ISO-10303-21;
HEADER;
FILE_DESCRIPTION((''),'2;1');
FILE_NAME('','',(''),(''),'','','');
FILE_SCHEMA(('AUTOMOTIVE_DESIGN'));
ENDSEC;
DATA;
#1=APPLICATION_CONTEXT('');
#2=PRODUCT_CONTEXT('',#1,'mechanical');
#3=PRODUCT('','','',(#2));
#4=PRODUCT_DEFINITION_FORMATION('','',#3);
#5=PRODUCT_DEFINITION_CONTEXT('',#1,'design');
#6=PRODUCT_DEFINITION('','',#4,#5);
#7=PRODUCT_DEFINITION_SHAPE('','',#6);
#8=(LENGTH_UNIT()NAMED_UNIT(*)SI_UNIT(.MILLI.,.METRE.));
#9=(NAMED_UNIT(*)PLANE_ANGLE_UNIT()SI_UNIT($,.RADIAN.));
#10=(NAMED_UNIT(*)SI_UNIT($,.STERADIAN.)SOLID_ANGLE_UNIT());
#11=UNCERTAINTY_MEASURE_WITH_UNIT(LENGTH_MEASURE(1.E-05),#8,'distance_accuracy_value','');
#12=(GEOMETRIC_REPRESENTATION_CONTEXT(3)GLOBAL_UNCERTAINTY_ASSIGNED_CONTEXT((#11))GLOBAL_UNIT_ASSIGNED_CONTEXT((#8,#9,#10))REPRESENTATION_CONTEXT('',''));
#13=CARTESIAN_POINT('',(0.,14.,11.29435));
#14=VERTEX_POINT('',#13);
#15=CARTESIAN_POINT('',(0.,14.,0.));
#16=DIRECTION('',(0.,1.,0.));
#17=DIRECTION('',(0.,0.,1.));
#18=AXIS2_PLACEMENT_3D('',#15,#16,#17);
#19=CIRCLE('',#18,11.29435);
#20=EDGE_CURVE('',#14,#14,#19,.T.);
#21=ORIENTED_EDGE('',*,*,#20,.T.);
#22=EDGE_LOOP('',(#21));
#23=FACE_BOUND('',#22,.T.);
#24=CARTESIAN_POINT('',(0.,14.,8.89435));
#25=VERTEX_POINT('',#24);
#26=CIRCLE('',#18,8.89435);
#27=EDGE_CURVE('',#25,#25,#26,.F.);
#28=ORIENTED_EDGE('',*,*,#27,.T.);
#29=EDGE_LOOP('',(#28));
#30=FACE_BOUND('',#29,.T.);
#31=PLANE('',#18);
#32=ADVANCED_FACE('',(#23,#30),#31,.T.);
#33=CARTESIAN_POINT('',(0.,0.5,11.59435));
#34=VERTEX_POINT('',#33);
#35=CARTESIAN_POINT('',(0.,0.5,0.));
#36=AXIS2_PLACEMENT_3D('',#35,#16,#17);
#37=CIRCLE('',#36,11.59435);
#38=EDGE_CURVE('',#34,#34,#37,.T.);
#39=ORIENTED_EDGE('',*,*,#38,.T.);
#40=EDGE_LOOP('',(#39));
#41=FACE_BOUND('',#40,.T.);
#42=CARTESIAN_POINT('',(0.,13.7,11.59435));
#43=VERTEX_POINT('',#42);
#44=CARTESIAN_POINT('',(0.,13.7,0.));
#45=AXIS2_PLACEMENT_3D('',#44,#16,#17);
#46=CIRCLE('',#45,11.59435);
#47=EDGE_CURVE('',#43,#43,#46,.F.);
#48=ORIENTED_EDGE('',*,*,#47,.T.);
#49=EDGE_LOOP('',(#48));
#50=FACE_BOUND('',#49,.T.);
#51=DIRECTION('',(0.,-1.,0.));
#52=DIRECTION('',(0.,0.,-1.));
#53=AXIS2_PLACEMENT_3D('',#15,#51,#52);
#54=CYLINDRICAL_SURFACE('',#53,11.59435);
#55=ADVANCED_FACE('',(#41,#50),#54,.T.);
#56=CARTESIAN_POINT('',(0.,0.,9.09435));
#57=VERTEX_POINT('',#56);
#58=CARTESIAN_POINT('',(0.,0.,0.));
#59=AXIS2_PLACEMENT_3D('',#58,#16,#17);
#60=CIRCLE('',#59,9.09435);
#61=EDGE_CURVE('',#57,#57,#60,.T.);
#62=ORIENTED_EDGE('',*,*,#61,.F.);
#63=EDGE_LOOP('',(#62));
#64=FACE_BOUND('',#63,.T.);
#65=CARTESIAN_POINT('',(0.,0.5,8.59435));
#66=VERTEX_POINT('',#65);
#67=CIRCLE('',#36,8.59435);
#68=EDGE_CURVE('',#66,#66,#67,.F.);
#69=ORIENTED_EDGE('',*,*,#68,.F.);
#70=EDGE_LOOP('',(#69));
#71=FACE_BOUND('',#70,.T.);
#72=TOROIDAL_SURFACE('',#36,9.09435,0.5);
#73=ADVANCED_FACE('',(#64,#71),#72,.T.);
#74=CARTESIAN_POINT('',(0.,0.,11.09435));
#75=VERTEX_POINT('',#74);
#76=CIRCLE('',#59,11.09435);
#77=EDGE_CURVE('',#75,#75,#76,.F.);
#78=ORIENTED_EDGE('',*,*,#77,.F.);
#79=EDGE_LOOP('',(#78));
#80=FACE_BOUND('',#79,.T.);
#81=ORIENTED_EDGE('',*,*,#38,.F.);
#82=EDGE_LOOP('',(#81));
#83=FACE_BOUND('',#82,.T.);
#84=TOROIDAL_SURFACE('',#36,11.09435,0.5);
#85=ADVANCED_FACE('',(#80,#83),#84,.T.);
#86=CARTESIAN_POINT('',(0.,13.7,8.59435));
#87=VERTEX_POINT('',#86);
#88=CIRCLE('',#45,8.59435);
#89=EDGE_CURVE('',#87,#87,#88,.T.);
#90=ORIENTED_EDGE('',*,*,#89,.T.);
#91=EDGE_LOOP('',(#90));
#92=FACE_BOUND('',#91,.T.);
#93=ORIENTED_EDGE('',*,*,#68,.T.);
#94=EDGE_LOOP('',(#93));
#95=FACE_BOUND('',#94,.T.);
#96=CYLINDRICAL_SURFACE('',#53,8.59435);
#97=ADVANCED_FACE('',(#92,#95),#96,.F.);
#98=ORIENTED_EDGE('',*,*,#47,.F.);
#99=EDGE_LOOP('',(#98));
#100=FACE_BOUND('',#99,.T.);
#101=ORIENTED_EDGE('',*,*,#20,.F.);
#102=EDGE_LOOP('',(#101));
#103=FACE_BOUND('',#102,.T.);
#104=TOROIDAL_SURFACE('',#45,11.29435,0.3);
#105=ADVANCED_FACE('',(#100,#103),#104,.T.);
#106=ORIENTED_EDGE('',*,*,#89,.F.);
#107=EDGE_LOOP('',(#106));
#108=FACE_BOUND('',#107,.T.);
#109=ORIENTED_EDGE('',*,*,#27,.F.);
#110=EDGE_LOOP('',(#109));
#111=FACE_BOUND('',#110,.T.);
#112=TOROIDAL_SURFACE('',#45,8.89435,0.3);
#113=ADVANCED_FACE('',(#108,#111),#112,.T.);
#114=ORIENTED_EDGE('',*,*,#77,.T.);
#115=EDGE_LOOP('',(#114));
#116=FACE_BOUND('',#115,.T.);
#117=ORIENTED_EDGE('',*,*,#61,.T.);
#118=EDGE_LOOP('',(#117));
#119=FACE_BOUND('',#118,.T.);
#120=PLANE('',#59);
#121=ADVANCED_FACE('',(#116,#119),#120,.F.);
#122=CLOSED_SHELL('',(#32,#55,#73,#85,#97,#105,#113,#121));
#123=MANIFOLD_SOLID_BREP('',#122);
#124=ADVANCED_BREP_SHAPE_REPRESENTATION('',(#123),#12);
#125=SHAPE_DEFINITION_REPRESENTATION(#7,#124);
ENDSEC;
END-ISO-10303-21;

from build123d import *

# Parameters (mm, degrees)
SKETCH1_R           = 11.59435
SKETCH1_R_2         = 8.59435
BOSS_EXTRUDE1_DEPTH = 14
FILLET1_R           = 0.3
FILLET5_R           = 0.3
FILLET6_R           = 0.5
FILLET7_R           = 0.5


with BuildPart() as part:
    # Sketch1 → Boss-Extrude1 (new body)
    with BuildSketch(Plane(origin=(0, 0, 0), x_dir=(1, 0, 0), z_dir=(0, 1, 0))):
        with Locations(Location((0, 0, 0), (0, 0, 270))):
            Circle(SKETCH1_R)
        with Locations(Location((0, 0, 0), (0, 0, 270))):
            Circle(SKETCH1_R_2, mode=Mode.SUBTRACT)
    extrude(amount=BOSS_EXTRUDE1_DEPTH)

    # Fillet1
    fillet1_edges = [part.edges().sort_by_distance(p)[0] for p in [
        (0, 14, -11.59435),
    ]]
    fillet(fillet1_edges, radius=FILLET1_R)

    # Fillet5
    fillet5_edges = [part.edges().sort_by_distance(p)[0] for p in [
        (0, 14, -8.59435),
    ]]
    fillet(fillet5_edges, radius=FILLET5_R)

    # Fillet6
    fillet6_edges = [part.edges().sort_by_distance(p)[0] for p in [
        (0, 0, -11.59435),
    ]]
    fillet(fillet6_edges, radius=FILLET6_R)

    # Fillet7
    fillet7_edges = [part.edges().sort_by_distance(p)[0] for p in [
        (0, 0, -8.59435),
    ]]
    fillet(fillet7_edges, radius=FILLET7_R)


solid = part.part
